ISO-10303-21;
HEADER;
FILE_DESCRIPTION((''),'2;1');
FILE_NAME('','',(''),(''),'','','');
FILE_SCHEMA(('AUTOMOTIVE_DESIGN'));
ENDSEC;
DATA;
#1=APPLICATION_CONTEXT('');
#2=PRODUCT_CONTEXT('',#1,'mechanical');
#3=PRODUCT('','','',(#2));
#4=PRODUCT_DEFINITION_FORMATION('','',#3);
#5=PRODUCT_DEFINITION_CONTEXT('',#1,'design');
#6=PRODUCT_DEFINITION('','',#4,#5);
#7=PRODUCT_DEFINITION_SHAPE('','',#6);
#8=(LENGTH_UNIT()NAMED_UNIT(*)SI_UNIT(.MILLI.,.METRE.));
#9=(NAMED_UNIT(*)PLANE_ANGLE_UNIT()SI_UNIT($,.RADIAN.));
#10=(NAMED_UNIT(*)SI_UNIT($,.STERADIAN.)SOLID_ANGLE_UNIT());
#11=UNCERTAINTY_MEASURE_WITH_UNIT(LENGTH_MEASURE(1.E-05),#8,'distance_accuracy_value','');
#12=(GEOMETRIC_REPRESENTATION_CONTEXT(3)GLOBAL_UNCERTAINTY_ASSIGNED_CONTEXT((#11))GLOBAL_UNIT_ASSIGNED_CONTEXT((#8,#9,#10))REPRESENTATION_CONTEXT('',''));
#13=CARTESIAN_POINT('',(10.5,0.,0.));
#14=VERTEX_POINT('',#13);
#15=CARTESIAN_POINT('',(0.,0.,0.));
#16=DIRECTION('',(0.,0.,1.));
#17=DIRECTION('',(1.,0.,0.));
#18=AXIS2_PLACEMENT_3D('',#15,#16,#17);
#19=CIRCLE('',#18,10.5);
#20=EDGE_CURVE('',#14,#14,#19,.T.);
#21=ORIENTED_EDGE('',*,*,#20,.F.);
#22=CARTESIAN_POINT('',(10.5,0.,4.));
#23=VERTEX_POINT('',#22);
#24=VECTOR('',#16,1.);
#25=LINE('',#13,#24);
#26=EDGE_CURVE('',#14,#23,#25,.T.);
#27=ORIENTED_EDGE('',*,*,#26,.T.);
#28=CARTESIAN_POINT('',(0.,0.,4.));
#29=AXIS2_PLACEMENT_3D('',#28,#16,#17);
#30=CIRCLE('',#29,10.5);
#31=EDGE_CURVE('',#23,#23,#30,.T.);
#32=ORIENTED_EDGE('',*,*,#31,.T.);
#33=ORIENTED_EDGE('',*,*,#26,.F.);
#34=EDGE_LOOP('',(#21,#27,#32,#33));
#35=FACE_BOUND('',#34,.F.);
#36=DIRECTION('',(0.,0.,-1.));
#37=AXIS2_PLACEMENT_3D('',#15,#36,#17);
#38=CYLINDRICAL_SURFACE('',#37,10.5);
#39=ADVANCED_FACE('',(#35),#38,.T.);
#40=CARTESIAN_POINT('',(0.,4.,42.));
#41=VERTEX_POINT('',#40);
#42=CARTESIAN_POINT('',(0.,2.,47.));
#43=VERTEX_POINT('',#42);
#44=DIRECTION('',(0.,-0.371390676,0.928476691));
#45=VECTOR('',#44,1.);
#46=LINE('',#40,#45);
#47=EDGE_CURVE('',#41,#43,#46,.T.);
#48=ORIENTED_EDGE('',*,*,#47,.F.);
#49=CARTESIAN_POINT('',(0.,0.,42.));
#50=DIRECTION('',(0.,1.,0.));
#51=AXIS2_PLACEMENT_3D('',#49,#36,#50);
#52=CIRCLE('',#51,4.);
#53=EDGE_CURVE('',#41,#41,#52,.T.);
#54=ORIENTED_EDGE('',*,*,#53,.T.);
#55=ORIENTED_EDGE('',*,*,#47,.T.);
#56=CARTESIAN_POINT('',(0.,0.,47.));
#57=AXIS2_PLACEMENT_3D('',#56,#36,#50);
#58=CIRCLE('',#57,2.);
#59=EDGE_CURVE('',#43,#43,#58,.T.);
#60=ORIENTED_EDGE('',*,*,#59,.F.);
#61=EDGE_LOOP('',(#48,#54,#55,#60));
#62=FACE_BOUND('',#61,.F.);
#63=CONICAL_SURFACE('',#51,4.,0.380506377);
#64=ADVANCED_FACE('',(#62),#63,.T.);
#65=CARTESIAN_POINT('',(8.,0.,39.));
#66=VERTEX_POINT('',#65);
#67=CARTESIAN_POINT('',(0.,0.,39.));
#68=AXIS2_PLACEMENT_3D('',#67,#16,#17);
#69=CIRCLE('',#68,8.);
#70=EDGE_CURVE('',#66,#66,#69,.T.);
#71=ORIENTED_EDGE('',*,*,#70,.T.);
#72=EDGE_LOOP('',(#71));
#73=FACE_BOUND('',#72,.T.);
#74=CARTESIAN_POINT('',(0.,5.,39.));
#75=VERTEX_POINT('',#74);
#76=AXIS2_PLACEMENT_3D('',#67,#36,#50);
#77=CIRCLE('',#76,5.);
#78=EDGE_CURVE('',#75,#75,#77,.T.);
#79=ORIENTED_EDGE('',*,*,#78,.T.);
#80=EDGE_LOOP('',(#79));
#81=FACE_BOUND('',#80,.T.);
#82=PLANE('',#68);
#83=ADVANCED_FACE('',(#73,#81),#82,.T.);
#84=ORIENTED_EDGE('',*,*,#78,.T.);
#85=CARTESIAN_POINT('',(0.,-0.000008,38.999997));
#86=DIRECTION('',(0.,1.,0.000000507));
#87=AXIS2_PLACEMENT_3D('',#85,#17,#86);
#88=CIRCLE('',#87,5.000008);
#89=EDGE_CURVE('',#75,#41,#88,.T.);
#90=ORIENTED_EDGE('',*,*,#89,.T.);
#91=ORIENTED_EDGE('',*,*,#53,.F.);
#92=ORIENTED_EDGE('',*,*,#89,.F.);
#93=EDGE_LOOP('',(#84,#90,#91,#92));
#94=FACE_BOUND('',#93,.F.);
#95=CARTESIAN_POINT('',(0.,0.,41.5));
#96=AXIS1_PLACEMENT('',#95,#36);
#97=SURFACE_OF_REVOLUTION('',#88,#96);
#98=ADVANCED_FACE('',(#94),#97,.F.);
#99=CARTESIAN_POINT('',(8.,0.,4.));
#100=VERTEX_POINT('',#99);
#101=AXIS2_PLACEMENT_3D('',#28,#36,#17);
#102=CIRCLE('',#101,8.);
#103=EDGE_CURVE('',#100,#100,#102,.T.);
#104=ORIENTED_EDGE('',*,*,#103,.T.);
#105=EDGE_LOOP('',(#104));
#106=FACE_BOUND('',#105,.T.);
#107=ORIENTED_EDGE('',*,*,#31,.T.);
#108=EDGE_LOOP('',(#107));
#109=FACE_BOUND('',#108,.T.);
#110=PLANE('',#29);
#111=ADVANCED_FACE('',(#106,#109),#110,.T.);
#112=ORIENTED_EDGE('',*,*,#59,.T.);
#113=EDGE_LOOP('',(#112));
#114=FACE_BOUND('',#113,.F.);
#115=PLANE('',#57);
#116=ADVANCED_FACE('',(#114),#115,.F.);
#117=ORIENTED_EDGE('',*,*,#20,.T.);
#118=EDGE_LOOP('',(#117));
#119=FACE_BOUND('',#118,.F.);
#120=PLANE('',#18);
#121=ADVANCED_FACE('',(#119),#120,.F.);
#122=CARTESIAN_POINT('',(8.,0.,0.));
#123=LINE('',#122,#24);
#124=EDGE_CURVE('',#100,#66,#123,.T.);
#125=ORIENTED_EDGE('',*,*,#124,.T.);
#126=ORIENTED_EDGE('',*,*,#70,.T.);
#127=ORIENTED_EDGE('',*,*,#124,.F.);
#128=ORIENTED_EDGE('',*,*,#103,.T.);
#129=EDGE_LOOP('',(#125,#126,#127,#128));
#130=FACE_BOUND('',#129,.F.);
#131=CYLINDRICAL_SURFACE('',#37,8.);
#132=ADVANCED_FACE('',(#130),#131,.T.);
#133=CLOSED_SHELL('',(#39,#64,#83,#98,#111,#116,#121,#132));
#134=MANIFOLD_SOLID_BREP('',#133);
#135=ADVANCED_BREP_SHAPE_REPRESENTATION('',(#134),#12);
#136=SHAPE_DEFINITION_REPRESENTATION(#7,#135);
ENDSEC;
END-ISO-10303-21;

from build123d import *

# Parameters (mm, degrees)
F0_R     = 10.5
F1_DEPTH = 4
F2_R     = 8
F3_DEPTH = 39


with BuildPart() as f1:
    # F0 (on Top) → F1 (new body)
    with BuildSketch(Plane.XY):
        Circle(F0_R)
    extrude(amount=F1_DEPTH)

    # F2 (on Top) → F3 (join)
    with BuildSketch(Plane.XY):
        Circle(F2_R)
    extrude(amount=F3_DEPTH)

    # F4 (on Right) → F5 (revolve)
    with BuildSketch(Plane.YZ):
        with BuildLine():
            Line((4, 42), (0, 42))
            Line((0, 42), (0, 39))
            Line((0, 39), (5, 39))
            ThreePointArc((5, 39), (4.743416, 40.581139), (4, 42))
        make_face()
        with BuildLine():
            Line((0, 47), (0, 44))
            ThreePointArc((0, 44), (2.236068, 43.472136), (4, 42))
            Line((4, 42), (2, 47))
            Line((2, 47), (0, 47))
        make_face()
        with BuildLine():
            ThreePointArc((4, 42), (2.236068, 43.472136), (0, 44))
            Line((0, 44), (0, 42))
            Line((0, 42), (4, 42))
        make_face()
    revolve(axis=Axis((0, 0, 41.5), (0, 0, -1)))


solid = f1.part
